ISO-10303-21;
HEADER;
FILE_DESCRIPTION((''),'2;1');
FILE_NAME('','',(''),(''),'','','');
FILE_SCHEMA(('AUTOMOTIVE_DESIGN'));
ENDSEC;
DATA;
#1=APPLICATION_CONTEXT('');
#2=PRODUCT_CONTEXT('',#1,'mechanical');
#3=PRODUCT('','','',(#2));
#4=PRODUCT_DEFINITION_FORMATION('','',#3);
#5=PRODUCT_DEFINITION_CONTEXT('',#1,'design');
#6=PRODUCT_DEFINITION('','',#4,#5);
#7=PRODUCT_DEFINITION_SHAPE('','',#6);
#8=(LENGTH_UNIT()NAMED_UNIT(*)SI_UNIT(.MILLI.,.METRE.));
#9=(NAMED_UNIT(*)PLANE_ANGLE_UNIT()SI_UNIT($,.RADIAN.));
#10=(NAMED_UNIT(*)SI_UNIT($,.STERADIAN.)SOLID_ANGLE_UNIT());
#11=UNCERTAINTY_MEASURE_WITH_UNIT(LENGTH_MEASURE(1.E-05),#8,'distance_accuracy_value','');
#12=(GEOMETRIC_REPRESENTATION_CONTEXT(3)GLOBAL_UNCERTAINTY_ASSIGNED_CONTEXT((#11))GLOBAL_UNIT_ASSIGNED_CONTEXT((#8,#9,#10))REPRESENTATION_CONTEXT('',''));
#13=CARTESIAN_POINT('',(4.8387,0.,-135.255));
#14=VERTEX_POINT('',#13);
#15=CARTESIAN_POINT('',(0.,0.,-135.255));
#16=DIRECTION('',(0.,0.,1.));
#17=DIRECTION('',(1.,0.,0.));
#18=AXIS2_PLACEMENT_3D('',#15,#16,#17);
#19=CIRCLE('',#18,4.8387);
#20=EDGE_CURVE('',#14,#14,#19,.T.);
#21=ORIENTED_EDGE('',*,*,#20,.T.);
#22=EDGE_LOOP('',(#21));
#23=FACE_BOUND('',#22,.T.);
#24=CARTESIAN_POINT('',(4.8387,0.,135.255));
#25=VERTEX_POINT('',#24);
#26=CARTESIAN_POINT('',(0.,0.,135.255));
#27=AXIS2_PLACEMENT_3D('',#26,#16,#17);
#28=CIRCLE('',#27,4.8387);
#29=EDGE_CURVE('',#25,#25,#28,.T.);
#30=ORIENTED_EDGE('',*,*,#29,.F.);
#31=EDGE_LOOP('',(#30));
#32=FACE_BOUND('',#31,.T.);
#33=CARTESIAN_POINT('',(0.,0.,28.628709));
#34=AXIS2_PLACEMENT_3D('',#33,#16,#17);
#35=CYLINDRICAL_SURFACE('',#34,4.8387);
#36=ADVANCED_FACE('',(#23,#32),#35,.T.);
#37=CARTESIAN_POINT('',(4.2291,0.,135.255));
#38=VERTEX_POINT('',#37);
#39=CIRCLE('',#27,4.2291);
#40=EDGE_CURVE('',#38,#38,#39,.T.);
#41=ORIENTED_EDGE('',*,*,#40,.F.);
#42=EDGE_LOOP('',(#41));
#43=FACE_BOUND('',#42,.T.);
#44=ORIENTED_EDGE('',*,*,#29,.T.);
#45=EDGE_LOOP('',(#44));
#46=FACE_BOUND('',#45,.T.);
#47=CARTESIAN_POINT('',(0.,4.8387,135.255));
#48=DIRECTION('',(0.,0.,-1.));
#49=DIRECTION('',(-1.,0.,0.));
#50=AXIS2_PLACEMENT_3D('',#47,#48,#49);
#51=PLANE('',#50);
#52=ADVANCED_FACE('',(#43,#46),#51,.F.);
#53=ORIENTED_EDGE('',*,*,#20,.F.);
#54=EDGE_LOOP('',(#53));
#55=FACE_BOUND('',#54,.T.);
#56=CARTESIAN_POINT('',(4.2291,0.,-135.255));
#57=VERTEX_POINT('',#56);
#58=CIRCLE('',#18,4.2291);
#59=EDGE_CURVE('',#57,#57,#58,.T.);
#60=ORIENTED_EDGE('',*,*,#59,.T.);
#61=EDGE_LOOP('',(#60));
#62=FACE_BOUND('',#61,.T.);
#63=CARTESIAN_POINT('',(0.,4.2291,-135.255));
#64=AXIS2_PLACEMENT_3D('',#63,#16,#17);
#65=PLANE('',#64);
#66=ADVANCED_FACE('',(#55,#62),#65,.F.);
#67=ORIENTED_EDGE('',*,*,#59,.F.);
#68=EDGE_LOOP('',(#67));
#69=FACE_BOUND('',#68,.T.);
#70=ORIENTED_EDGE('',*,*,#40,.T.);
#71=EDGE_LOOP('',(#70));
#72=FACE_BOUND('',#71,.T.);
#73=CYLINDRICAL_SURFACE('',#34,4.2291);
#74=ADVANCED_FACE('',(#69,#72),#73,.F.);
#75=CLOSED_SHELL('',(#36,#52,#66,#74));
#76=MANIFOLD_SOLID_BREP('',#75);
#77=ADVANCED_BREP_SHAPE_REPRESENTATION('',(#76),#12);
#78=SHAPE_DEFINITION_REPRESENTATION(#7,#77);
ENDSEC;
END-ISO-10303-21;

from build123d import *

# Parameters (mm, degrees)
SKETCH1_W    = 450.85
SKETCH1_H    = 1.016
SCALE1_SCALE = 0.6


with BuildPart() as part:
    # Sketch1 → Revolve1 (revolve)
    with BuildSketch(Plane(origin=(0, 0, 0), x_dir=(0, 0, -1), z_dir=(1, 0, 0)), mode=Mode.PRIVATE) as revolve1_sk:
        with Locations((0, 7.5565)):
            Rectangle(SKETCH1_W, SKETCH1_H)
    revolve(revolve1_sk.sketch.rotate(Axis((0, 0, 47.714514654), (0, 0, -1)), 90), axis=Axis((0, 0, 47.714514654), (0, 0, -1)))


with BuildPart() as part_1:
    # Scale1: scaled about (0, 0, 0)
    add(part.part.scale(SCALE1_SCALE))


solid = part_1.part
